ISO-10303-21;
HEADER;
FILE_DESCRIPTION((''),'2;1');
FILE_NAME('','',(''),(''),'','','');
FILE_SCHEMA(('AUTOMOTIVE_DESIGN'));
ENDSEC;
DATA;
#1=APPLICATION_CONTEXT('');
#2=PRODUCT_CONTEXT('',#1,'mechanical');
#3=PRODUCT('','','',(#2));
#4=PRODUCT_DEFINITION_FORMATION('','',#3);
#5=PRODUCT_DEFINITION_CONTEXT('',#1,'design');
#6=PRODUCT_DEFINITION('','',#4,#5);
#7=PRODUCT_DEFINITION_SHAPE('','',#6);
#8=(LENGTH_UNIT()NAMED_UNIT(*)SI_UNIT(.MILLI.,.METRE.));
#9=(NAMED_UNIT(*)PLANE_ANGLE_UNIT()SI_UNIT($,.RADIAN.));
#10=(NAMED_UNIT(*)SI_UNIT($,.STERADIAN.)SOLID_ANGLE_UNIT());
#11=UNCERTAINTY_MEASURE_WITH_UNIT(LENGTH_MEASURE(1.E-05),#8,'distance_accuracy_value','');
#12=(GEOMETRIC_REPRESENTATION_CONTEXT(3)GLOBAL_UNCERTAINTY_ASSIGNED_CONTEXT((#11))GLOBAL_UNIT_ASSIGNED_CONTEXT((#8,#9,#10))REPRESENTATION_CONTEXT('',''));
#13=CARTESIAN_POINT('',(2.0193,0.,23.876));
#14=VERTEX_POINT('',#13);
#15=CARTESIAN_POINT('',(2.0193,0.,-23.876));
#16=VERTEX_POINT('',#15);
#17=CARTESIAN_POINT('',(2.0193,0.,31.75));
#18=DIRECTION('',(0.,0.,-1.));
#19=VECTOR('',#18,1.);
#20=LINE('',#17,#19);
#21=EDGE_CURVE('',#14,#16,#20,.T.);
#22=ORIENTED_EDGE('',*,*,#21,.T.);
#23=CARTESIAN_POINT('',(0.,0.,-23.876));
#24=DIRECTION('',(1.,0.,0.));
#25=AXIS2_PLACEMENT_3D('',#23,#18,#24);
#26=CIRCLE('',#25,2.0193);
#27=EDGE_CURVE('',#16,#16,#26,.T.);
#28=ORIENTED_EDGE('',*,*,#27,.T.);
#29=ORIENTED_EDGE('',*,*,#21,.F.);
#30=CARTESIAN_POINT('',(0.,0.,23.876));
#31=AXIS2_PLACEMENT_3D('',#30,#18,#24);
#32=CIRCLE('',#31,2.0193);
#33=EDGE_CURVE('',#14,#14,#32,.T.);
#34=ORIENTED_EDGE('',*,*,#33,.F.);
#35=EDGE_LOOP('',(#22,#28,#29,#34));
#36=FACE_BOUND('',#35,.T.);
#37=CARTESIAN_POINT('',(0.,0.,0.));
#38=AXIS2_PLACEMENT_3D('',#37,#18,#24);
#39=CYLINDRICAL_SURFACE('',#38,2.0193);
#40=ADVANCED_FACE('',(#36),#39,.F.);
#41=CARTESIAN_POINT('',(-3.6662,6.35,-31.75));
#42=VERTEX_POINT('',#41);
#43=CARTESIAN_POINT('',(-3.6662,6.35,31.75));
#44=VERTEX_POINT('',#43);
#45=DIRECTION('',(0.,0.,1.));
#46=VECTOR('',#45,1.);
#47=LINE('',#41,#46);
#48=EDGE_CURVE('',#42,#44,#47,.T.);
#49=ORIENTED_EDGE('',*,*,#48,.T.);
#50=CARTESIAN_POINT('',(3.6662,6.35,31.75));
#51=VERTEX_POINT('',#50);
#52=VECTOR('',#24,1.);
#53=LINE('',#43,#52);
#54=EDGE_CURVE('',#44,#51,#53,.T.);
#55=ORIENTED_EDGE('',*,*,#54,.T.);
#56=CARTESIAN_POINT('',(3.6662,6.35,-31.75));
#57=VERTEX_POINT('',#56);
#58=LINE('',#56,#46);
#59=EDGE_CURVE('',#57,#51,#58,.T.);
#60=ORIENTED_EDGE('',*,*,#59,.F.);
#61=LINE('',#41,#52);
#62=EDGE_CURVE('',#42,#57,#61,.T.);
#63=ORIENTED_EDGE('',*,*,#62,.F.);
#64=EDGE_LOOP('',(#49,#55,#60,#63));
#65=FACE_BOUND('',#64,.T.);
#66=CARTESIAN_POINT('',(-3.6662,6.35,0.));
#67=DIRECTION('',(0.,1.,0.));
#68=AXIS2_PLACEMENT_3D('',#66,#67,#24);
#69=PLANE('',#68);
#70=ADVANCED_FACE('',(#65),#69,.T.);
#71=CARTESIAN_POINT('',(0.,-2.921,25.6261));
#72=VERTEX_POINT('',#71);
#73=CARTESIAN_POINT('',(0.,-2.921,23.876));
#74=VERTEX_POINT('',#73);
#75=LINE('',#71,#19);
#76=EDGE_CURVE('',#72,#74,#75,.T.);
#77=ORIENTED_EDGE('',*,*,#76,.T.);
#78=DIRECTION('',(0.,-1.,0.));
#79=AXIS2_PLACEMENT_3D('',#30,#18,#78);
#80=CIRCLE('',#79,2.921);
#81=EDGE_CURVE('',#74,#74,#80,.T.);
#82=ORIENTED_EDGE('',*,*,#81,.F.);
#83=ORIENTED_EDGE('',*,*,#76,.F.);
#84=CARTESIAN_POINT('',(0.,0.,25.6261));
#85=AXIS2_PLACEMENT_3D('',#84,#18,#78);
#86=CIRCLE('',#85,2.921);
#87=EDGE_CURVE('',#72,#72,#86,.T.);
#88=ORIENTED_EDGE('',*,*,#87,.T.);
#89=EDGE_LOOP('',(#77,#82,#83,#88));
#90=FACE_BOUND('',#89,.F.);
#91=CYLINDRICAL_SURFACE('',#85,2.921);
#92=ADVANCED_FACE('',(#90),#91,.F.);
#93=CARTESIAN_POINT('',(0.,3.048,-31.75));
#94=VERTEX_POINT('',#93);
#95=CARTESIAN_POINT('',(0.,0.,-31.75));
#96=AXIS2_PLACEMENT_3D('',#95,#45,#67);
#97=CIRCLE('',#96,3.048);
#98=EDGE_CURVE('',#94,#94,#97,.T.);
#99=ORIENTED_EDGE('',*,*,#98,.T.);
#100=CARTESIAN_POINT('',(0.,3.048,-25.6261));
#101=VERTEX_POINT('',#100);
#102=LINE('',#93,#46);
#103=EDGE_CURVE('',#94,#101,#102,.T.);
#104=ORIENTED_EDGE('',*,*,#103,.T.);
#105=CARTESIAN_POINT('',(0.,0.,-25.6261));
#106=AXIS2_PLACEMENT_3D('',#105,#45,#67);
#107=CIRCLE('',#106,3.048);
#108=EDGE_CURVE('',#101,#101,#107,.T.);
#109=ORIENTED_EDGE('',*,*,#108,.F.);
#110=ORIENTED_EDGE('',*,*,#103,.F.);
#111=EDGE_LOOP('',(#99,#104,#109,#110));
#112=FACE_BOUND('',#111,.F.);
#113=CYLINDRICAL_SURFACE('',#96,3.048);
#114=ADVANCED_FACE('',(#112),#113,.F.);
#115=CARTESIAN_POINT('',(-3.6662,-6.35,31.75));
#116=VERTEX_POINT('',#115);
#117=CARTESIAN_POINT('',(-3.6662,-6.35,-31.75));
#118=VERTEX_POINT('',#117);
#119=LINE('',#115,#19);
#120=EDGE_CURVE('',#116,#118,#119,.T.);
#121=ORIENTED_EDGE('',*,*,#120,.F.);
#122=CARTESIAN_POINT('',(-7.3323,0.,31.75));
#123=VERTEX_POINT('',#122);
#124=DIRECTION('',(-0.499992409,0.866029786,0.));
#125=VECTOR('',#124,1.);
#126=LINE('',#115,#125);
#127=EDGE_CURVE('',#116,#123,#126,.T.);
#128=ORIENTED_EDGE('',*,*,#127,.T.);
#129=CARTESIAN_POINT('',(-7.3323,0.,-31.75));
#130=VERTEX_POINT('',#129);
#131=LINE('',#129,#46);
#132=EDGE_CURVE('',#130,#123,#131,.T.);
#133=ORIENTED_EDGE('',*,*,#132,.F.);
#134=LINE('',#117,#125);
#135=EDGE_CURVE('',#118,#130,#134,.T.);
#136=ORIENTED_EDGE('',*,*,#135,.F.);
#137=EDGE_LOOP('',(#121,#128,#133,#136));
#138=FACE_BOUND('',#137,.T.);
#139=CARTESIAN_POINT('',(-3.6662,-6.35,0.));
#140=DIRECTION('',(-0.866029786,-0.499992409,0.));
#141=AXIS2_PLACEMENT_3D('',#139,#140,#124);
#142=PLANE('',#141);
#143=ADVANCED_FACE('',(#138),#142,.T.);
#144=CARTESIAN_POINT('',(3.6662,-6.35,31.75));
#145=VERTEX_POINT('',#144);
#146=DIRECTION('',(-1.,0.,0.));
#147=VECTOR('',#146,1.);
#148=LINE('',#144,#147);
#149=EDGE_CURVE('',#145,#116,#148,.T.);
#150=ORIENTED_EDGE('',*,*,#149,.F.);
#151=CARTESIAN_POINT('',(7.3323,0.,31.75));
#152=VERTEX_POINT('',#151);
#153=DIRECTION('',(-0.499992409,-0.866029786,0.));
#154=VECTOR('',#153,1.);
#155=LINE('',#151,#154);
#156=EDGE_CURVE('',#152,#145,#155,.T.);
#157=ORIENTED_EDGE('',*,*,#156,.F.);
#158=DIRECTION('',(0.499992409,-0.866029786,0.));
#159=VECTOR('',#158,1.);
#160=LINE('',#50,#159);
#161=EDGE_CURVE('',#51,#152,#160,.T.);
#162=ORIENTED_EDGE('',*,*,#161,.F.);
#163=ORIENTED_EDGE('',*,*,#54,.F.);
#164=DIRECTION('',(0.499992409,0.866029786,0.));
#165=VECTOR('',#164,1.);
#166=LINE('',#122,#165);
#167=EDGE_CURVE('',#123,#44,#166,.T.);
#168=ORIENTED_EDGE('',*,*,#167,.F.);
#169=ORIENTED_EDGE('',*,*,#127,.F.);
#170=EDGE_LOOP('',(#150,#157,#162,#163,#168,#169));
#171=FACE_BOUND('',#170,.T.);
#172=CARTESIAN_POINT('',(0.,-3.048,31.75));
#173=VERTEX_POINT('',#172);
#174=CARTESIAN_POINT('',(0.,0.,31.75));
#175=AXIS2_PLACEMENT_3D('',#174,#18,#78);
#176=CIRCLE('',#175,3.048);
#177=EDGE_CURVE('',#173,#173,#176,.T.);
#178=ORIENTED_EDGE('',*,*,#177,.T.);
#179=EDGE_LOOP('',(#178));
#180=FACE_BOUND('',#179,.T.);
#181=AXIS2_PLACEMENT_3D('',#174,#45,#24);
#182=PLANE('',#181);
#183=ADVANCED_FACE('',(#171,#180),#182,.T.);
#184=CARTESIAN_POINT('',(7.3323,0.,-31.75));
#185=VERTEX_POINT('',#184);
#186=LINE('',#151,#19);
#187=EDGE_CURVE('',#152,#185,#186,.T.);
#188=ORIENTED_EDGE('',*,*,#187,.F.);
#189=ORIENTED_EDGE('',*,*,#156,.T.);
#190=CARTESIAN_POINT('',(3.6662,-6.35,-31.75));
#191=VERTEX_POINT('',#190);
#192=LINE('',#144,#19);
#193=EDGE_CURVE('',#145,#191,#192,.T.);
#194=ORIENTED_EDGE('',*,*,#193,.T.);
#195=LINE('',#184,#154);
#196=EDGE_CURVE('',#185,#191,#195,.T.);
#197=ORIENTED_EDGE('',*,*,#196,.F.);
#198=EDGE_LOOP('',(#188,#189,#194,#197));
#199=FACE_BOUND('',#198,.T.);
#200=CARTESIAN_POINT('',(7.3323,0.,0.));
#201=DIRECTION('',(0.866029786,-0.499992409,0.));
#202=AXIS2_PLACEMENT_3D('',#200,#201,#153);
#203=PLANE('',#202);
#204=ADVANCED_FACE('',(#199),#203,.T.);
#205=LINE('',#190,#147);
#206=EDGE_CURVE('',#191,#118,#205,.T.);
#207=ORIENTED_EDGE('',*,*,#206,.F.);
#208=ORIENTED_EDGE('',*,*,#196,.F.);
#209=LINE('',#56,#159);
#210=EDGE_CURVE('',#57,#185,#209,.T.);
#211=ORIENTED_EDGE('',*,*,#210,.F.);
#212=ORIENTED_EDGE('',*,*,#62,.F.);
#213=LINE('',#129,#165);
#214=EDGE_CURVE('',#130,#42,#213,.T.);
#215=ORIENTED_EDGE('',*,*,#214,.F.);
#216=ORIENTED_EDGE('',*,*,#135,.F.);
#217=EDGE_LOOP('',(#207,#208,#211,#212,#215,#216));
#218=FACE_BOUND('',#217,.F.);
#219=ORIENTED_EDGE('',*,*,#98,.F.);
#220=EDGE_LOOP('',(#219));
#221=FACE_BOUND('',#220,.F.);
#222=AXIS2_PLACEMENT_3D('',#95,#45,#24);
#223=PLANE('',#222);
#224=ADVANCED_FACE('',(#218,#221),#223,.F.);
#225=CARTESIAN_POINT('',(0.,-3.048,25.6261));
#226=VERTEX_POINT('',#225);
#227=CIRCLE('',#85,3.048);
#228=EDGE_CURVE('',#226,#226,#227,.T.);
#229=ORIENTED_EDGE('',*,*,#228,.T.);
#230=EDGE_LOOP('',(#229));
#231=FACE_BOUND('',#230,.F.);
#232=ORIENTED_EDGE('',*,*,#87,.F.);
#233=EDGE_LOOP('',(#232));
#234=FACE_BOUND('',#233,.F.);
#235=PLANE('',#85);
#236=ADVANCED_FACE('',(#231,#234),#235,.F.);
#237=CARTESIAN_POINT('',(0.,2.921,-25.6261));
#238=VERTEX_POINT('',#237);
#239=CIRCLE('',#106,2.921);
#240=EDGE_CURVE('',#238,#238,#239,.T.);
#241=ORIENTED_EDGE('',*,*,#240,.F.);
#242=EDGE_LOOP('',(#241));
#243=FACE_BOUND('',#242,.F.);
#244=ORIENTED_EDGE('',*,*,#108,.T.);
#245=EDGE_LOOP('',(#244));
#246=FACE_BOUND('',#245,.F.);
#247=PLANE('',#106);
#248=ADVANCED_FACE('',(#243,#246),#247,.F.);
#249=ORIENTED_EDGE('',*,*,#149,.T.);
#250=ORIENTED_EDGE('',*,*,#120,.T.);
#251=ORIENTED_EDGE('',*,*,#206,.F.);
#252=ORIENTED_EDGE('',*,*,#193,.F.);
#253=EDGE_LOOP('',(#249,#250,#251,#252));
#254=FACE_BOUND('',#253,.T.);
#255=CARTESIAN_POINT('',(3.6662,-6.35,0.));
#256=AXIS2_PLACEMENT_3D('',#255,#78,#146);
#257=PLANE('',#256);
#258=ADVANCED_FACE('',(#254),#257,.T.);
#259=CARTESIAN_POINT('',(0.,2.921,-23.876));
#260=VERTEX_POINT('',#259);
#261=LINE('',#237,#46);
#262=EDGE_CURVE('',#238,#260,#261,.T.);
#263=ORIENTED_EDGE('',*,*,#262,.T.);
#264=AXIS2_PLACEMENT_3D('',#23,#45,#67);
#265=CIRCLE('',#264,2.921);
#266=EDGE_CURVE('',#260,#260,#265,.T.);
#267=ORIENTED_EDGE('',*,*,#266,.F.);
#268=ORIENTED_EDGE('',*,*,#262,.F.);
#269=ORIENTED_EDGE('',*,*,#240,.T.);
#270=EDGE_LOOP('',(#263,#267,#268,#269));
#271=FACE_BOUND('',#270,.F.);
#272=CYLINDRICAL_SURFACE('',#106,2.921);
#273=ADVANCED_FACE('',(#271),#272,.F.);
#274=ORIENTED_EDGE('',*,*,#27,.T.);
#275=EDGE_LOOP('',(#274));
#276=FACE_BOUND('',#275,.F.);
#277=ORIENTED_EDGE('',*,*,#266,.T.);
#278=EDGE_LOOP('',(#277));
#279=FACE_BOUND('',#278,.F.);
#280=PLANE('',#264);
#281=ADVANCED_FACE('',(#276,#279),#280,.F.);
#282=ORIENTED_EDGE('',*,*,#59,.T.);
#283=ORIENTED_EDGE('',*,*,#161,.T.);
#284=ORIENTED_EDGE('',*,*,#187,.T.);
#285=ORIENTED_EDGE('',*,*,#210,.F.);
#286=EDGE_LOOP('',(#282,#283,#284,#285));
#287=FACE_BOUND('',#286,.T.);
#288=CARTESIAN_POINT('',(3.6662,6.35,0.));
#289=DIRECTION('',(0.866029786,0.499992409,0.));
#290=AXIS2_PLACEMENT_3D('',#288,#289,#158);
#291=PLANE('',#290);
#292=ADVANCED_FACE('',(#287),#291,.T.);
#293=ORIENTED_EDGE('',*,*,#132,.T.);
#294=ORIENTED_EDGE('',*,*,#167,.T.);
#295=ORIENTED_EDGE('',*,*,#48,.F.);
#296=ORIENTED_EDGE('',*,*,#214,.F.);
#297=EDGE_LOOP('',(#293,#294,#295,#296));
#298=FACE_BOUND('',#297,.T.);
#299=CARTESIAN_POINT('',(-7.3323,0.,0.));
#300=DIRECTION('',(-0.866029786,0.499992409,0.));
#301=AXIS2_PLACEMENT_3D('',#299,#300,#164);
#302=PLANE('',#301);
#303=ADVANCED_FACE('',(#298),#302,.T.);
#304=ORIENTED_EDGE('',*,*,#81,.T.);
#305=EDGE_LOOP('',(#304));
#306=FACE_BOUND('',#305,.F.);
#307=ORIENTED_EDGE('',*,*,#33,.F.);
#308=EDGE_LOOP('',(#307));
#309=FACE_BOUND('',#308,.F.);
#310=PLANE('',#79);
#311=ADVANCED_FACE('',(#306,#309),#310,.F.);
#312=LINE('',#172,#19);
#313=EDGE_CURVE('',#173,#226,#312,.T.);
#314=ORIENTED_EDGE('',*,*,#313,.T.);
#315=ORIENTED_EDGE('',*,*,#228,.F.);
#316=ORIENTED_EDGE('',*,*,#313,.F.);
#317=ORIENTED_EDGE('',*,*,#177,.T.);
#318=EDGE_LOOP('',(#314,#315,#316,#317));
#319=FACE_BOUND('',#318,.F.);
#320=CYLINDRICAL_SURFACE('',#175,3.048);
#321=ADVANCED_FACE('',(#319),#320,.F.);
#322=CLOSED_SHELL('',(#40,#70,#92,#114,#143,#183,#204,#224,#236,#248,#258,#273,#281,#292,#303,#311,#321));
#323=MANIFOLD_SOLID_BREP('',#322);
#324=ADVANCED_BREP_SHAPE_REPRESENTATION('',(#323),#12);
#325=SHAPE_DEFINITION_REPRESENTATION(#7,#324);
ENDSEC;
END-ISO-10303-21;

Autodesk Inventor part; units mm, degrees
ref_plane "YZ Plane" through (0, 0, 0) normal (1, 0, 0) x (0, 1, 0)
ref_plane "XZ Plane" through (0, 0, 0) normal (0, 1, 0) x (-1, 0, 0)
ref_plane "XY Plane" through (0, 0, 0) normal (0, 0, 1) x (1, 0, 0)
sketch "Sketch1" plane through (0, 0, 0) normal (0, 0, 1) x (1, 0, 0)
  line L0 (3.6662, 6.35) -> (7.3323, 0)
  line L1 (7.3323, 0) -> (3.6662, -6.35)
  line L2 (3.6662, -6.35) -> (-3.6662, -6.35)
  line L3 (-3.6662, -6.35) -> (-7.3323, 0)
  line L4 (-7.3323, 0) -> (-3.6662, 6.35)
  line L5 (-3.6662, 6.35) -> (3.6662, 6.35)
  circle A0 centre (0, 0) radius 2.0193
  dimension "d0" = 12.7
  dimension "d3" = 4.0386
extrude "Extrusion2" add sketch "Sketch1" along normal mid plane 63.5
sketch "Sketch2" plane through (0, 0, 31.75) normal (0, 0, 1) x (1, 0, 0)
  point P0 (0, 0)
  point P1 (0, 0)
hole "Hole1" at (0, 0, 31.75) direction (0, 0, -1) diameter 5.842 depth 7.874 counterbore diameter 6.096 counterbore depth 6.1239
sketch "Sketch3" plane through (0, 0, -31.75) normal (0, 0, -1) x (-1, 0, 0)
  point P0 (0, 0)
  point P1 (0, 0)
hole "Hole2" at (0, 0, -31.75) direction (0, 0, 1) diameter 5.842 depth 7.874 counterbore diameter 6.096 counterbore depth 6.1239
properties part number "1_2 x 2_500-inchHexShaft"
